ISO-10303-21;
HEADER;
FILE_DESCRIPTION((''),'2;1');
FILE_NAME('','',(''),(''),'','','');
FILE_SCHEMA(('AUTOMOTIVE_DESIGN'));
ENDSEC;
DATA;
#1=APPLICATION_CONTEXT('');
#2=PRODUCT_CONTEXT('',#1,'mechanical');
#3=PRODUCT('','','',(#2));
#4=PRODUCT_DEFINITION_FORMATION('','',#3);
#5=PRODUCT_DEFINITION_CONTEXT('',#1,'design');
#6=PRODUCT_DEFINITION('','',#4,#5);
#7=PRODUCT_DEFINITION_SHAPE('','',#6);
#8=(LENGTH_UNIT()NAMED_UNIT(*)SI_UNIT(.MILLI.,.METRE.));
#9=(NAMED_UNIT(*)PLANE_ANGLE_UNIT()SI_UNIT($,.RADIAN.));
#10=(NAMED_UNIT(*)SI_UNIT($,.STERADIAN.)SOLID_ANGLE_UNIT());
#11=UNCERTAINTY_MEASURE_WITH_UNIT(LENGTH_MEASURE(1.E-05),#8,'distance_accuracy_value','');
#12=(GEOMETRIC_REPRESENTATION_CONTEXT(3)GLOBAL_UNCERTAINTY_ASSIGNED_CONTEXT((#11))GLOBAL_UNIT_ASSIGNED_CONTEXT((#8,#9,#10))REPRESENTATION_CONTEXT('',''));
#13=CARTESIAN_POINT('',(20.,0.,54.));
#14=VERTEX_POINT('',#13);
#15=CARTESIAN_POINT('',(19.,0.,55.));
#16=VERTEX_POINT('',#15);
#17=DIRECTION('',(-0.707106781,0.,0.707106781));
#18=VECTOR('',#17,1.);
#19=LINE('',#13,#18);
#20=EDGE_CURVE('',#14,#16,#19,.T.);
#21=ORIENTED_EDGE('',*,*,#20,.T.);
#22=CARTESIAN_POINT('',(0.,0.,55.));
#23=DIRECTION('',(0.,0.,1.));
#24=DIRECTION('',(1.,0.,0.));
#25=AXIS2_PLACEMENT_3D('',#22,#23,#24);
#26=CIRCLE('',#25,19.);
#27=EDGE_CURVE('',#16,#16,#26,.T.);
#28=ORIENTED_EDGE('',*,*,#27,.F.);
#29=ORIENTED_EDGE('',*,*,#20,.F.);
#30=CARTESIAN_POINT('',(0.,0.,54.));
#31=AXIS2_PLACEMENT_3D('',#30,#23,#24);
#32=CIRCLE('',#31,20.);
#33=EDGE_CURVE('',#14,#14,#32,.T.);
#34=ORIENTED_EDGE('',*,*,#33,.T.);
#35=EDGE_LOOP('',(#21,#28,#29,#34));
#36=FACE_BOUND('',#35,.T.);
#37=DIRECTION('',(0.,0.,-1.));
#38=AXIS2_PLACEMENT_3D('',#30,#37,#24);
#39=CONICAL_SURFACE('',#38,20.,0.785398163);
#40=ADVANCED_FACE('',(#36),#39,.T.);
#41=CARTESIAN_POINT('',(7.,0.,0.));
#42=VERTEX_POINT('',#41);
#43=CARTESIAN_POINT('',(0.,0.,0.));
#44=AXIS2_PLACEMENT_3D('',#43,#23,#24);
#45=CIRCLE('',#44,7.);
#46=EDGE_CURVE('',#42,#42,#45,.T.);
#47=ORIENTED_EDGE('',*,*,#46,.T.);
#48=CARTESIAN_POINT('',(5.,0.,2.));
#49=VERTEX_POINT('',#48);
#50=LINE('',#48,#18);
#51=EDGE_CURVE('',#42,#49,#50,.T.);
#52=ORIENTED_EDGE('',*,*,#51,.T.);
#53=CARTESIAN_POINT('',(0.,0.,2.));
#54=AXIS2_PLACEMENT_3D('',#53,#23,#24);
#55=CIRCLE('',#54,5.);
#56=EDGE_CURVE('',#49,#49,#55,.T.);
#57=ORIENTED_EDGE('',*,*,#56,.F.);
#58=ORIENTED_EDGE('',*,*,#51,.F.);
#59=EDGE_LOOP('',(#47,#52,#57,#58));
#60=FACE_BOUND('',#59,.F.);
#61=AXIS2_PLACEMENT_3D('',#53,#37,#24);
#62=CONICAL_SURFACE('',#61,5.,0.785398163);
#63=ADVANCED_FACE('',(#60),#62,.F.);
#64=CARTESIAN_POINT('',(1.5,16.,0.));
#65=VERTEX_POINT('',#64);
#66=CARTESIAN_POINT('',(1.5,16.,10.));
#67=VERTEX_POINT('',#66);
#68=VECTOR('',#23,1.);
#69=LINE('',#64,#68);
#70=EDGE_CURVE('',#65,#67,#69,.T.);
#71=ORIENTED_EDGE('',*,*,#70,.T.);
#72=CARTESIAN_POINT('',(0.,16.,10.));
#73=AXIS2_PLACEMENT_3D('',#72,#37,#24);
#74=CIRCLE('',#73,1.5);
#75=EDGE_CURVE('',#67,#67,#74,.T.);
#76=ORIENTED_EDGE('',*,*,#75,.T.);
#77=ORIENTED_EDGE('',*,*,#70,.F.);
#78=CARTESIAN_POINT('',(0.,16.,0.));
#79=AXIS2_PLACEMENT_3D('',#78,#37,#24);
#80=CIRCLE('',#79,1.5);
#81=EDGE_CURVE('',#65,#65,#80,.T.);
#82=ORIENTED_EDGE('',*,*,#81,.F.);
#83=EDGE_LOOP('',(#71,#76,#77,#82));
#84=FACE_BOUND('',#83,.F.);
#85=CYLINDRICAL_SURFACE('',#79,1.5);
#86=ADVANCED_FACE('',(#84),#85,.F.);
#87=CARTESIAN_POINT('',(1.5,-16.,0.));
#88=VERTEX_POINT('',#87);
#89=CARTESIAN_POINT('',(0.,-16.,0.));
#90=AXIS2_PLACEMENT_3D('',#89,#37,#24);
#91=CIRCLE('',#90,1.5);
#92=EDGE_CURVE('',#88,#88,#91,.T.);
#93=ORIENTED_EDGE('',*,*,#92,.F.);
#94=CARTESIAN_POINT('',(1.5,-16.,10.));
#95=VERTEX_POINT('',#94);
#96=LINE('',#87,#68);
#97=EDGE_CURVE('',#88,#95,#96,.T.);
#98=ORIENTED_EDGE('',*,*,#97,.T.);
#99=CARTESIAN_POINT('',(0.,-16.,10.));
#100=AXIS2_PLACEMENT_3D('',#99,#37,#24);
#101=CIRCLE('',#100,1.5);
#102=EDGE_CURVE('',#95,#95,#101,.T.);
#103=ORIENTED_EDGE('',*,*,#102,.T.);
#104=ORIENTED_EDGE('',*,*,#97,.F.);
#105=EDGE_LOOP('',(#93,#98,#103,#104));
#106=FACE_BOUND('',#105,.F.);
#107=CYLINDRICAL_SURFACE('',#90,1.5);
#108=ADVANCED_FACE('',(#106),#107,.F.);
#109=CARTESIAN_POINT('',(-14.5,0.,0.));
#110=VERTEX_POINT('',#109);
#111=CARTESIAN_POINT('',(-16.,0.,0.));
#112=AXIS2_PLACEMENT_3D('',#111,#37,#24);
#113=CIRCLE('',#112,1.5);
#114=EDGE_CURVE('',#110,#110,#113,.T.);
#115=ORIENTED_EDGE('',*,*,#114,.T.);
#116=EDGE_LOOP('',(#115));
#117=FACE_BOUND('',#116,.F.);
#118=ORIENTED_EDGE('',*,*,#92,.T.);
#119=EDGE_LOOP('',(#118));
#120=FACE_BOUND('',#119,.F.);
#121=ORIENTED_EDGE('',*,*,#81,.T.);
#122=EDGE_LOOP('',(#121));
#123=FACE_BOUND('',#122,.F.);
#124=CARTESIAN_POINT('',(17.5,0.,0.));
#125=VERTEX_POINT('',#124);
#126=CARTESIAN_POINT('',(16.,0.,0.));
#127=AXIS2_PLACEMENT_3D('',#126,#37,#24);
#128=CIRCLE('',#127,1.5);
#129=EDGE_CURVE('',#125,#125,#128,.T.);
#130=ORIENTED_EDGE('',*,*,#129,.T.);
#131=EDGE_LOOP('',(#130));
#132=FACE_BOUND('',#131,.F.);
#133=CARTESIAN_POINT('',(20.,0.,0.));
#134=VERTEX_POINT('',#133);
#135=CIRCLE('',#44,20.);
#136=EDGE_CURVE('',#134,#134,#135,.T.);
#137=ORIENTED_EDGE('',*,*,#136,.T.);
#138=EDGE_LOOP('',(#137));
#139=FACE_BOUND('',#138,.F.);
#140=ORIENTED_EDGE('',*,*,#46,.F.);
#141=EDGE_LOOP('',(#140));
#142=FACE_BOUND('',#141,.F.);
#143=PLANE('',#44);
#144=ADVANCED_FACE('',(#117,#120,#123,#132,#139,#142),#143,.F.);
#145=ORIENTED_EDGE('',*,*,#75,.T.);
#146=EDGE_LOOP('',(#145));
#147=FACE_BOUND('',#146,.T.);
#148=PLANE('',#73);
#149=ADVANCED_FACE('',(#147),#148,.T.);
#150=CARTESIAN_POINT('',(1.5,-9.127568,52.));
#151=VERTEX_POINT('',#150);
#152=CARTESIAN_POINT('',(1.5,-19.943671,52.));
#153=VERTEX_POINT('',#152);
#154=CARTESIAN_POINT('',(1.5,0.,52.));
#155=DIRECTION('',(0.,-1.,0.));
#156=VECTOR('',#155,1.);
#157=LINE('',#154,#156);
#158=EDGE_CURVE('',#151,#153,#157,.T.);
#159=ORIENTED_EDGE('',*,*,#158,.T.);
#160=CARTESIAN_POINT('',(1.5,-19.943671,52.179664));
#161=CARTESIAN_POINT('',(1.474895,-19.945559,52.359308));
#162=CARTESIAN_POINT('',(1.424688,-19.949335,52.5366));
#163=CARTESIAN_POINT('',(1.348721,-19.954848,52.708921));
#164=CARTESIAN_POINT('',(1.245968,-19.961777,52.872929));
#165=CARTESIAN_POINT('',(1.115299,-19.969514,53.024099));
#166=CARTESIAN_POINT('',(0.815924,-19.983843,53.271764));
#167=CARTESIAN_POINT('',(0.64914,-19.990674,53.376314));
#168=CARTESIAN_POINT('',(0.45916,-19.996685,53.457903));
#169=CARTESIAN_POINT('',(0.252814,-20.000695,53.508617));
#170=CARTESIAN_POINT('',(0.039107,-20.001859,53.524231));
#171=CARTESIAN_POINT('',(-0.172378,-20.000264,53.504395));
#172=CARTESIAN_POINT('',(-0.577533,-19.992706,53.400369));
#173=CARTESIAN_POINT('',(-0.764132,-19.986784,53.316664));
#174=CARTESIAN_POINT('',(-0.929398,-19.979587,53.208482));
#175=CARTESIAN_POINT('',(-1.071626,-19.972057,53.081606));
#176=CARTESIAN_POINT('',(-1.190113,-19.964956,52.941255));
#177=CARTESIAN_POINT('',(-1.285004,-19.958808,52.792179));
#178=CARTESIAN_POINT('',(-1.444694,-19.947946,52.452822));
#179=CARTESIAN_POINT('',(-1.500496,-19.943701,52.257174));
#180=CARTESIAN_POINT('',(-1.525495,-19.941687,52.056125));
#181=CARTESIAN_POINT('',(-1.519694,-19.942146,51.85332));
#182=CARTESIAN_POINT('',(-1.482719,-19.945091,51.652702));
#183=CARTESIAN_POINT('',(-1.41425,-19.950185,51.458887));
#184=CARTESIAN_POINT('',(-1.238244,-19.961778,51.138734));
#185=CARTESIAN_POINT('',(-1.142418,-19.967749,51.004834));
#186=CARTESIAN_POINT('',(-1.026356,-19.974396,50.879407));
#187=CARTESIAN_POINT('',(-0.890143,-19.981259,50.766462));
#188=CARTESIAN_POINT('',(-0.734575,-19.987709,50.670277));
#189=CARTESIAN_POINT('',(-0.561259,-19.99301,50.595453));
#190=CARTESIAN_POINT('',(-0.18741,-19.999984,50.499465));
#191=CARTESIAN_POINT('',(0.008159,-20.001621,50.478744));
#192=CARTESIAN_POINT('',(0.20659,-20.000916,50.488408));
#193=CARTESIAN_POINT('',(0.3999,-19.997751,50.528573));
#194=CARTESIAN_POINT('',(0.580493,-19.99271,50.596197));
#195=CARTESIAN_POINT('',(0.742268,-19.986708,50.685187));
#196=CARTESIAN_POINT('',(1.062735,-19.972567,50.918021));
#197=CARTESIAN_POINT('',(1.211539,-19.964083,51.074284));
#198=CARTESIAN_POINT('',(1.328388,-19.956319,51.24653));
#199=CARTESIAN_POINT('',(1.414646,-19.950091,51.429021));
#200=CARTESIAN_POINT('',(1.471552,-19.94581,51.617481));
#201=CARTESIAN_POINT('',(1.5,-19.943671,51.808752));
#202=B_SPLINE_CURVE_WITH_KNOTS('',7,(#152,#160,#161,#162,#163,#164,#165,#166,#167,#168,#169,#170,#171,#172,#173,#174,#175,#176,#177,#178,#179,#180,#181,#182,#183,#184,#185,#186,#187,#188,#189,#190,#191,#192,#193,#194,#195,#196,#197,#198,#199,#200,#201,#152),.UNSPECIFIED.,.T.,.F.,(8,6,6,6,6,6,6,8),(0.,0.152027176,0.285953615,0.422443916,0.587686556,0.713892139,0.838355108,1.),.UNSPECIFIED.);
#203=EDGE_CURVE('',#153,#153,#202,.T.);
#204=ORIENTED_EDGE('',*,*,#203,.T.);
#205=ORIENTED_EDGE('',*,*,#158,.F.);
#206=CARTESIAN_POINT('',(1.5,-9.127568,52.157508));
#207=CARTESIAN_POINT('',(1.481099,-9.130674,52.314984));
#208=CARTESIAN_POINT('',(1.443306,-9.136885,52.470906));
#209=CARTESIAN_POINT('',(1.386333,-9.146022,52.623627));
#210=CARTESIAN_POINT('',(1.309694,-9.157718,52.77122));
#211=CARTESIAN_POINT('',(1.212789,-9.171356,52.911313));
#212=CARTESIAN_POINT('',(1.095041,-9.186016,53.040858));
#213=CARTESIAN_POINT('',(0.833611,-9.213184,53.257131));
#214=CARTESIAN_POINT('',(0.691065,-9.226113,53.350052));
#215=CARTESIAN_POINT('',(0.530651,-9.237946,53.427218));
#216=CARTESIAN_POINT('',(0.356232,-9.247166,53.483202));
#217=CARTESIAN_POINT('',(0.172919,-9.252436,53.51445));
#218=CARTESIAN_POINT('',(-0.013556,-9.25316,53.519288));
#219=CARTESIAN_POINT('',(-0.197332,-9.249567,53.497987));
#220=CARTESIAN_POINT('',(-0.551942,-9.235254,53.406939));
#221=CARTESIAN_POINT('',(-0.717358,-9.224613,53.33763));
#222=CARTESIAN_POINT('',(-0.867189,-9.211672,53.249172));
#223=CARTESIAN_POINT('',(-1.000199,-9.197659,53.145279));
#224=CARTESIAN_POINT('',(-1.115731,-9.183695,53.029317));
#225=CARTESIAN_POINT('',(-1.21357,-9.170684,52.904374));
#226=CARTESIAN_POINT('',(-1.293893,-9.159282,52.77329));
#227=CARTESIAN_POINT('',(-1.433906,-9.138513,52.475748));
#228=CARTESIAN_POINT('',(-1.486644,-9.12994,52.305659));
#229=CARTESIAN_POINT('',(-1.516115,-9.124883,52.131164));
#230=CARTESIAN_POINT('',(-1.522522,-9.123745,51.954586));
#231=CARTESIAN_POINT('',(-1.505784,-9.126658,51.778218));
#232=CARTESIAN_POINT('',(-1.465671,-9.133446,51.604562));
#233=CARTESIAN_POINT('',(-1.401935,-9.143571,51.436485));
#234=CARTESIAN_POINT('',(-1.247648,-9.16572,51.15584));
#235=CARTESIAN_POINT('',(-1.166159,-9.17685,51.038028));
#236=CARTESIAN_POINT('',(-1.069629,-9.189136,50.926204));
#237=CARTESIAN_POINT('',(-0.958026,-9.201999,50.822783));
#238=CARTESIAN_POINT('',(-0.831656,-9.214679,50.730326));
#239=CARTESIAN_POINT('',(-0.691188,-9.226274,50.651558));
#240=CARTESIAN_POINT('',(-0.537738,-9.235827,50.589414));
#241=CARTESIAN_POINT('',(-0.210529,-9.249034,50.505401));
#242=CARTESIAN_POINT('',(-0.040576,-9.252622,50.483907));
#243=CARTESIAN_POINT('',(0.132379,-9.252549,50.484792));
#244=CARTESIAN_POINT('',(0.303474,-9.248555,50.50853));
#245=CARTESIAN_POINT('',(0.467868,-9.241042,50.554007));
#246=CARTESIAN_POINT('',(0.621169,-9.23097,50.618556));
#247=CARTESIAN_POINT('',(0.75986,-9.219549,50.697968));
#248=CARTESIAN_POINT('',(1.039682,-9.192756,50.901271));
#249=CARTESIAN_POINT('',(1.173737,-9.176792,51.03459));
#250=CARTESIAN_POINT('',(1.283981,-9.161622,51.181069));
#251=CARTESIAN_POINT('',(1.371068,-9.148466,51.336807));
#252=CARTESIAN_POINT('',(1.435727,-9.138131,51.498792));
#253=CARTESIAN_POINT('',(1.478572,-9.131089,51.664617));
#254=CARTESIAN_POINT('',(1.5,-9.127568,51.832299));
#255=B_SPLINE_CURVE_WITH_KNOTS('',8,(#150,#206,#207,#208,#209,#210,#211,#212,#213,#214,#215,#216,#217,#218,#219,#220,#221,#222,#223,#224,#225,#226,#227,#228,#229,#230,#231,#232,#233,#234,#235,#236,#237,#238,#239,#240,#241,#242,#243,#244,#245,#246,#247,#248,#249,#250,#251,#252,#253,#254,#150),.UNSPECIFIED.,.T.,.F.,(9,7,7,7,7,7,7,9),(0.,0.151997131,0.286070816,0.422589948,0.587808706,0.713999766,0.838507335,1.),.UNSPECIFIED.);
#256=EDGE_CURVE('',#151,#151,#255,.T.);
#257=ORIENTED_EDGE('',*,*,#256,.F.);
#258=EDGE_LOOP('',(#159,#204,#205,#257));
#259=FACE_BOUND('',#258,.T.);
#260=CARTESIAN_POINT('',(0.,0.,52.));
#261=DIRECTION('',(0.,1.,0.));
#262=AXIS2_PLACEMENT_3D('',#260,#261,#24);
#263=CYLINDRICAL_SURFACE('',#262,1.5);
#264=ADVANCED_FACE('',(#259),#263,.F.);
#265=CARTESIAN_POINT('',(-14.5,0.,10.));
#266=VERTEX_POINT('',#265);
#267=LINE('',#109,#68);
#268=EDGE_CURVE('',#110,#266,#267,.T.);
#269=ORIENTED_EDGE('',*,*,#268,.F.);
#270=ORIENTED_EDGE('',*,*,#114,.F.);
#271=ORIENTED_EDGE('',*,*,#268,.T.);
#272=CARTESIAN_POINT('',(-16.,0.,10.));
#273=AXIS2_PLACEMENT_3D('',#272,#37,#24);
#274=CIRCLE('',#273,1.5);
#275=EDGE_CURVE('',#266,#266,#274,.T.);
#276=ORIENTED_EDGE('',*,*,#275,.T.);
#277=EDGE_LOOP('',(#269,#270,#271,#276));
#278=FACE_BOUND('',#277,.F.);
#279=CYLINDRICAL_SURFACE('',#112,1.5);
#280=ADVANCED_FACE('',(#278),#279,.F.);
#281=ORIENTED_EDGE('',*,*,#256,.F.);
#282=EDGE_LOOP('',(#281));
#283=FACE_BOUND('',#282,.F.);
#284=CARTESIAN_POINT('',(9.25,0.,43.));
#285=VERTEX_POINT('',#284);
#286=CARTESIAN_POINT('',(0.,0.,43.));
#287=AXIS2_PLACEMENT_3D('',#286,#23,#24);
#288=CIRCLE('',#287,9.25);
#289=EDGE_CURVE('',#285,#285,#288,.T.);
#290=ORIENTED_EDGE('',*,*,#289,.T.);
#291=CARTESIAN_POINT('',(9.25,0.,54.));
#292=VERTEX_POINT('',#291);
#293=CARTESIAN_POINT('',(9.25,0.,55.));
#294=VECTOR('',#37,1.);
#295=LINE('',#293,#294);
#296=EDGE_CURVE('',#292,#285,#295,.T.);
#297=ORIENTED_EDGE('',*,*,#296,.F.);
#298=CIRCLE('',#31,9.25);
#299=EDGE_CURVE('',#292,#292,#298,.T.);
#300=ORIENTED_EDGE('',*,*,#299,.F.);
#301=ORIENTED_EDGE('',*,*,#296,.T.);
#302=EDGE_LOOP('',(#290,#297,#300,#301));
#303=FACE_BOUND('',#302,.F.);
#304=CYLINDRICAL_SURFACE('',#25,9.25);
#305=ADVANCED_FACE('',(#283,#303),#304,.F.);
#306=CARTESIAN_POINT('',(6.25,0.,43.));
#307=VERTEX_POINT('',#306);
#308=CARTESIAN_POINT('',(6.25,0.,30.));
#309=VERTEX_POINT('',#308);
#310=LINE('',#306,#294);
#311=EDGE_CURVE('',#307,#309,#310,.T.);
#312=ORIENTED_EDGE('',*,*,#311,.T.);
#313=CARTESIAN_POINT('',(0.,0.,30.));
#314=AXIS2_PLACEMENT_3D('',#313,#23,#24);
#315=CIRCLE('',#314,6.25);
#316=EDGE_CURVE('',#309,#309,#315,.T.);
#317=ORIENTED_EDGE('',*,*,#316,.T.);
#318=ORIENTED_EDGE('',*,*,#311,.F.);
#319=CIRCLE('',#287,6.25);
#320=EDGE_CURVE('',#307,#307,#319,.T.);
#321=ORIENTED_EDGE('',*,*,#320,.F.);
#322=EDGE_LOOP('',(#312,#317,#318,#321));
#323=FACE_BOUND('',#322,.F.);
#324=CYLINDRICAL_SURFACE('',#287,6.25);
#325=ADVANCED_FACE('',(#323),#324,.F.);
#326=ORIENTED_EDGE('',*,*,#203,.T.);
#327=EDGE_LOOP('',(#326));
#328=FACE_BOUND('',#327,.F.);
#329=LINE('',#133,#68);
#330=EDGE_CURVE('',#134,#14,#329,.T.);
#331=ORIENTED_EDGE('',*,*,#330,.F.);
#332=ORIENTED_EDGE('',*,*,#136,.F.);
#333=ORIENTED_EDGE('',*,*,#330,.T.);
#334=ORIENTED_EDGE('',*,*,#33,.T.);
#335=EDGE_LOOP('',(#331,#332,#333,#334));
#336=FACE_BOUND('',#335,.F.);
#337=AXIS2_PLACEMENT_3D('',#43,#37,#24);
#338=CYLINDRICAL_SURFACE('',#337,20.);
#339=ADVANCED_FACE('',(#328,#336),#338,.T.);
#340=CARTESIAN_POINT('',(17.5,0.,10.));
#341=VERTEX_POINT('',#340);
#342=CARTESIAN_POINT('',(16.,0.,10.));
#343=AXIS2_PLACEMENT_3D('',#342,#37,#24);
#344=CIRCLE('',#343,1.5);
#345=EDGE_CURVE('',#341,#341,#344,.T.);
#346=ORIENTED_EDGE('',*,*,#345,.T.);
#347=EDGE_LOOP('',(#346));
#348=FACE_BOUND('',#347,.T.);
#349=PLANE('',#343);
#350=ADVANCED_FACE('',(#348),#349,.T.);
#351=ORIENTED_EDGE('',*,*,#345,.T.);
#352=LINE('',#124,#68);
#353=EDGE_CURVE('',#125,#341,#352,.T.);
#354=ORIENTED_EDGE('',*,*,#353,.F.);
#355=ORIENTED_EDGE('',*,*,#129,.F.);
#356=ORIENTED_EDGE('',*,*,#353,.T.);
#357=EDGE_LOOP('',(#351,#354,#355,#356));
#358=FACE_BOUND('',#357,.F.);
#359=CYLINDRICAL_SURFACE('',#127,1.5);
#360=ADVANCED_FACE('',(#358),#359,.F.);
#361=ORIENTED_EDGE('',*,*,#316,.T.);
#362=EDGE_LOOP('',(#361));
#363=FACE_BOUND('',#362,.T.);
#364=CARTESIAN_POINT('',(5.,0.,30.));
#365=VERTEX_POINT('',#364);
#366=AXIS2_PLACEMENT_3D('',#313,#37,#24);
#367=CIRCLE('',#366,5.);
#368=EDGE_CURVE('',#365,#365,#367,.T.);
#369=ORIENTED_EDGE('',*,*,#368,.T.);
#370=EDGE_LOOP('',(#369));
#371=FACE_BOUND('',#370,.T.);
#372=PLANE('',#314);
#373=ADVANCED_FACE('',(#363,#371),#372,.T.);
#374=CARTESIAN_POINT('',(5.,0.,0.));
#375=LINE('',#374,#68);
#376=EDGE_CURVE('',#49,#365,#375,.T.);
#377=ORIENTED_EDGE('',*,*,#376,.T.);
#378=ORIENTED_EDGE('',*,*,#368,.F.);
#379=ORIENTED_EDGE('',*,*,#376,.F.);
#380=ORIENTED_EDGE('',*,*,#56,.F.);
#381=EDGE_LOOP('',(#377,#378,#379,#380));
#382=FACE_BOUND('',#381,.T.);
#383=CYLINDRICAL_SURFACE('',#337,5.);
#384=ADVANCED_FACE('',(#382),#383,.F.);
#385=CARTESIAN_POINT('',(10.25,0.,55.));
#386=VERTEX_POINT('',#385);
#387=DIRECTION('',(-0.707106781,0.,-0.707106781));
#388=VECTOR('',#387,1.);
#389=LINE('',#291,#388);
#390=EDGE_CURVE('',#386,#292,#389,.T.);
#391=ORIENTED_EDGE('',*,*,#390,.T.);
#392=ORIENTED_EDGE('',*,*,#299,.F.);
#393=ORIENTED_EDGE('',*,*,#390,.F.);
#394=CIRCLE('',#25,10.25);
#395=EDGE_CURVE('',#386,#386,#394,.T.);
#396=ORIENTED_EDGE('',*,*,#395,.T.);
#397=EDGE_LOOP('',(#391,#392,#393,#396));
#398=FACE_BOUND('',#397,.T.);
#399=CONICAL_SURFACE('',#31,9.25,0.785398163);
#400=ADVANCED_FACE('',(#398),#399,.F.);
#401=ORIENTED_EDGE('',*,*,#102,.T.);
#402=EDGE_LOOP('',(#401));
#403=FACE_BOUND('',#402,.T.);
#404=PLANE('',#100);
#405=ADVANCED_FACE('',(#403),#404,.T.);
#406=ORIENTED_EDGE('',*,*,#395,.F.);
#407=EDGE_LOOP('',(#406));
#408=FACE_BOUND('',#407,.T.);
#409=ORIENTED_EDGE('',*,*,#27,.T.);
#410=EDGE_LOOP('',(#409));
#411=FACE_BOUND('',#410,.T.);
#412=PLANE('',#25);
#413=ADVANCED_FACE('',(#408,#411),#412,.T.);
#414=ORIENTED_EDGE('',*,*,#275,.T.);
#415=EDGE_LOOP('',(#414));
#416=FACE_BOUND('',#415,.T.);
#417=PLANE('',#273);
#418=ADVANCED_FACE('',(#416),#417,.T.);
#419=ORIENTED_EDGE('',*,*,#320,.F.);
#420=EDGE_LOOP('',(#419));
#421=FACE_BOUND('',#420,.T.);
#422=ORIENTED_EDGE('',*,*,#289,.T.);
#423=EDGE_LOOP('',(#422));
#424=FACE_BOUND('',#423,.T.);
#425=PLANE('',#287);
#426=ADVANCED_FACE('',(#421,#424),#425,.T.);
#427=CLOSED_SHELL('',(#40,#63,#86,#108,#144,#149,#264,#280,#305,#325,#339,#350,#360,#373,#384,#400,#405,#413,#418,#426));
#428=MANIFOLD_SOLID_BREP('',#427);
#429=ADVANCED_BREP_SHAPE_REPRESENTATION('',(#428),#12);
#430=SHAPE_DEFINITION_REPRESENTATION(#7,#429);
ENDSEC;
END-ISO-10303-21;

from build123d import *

# Parameters (mm, degrees)
F0_R      = 20
F0_R_2    = 5
F1_DEPTH  = 55
F2_R      = 9.25
F3_DEPTH  = 12
F4_R      = 6.25
F5_DEPTH  = 13
F6_SIZE   = 1
F7_R      = 1.5
F8_DEPTH  = 20.001
F9_SIZE   = 2
F10_R     = 1.5
F11_DEPTH = 10


with BuildPart() as f1:
    # F0 (on Top) → F1 (new body)
    with BuildSketch(Plane.XY):
        Circle(F0_R)
        Circle(F0_R_2, mode=Mode.SUBTRACT)
    extrude(amount=F1_DEPTH)

    # F2 (on face) → F3 (cut)
    with BuildSketch(Plane.XY.offset(55)):
        Circle(F2_R)
    extrude(amount=-F3_DEPTH, mode=Mode.SUBTRACT)

    # F4 (on face) → F5 (cut)
    with BuildSketch(Plane.XY.offset(43)):
        Circle(F4_R)
    extrude(amount=-F5_DEPTH, mode=Mode.SUBTRACT)

    # F6
    f6_edges = [f1.edges().sort_by_distance(p)[0] for p in [
        (-9.25, 0, 55),
        (-20, 0, 55),
    ]]
    chamfer(f6_edges, length=F6_SIZE)

    # F7 (on Front) → F8 (cut, through all)
    with BuildSketch(Plane.XZ):
        with Locations((0, 52)):
            Circle(F7_R)
    extrude(amount=F8_DEPTH, mode=Mode.SUBTRACT)

    # F9
    f9_edges = [f1.edges().sort_by_distance(p)[0] for p in [
        (-5, 0, 0),
    ]]
    chamfer(f9_edges, length=F9_SIZE)

    # F10 (on face) → F11 (cut)
    with BuildSketch(Plane(origin=(0, 0, 0), x_dir=(1, 0, 0), z_dir=(0, 0, -1))):
        with Locations((-16, 0)):
            Circle(F10_R)
        with Locations((0, 16)):
            Circle(F10_R)
        with Locations((16, 0)):
            Circle(F10_R)
        with Locations((0, -16)):
            Circle(F10_R)
    extrude(amount=-F11_DEPTH, mode=Mode.SUBTRACT)


solid = f1.part
